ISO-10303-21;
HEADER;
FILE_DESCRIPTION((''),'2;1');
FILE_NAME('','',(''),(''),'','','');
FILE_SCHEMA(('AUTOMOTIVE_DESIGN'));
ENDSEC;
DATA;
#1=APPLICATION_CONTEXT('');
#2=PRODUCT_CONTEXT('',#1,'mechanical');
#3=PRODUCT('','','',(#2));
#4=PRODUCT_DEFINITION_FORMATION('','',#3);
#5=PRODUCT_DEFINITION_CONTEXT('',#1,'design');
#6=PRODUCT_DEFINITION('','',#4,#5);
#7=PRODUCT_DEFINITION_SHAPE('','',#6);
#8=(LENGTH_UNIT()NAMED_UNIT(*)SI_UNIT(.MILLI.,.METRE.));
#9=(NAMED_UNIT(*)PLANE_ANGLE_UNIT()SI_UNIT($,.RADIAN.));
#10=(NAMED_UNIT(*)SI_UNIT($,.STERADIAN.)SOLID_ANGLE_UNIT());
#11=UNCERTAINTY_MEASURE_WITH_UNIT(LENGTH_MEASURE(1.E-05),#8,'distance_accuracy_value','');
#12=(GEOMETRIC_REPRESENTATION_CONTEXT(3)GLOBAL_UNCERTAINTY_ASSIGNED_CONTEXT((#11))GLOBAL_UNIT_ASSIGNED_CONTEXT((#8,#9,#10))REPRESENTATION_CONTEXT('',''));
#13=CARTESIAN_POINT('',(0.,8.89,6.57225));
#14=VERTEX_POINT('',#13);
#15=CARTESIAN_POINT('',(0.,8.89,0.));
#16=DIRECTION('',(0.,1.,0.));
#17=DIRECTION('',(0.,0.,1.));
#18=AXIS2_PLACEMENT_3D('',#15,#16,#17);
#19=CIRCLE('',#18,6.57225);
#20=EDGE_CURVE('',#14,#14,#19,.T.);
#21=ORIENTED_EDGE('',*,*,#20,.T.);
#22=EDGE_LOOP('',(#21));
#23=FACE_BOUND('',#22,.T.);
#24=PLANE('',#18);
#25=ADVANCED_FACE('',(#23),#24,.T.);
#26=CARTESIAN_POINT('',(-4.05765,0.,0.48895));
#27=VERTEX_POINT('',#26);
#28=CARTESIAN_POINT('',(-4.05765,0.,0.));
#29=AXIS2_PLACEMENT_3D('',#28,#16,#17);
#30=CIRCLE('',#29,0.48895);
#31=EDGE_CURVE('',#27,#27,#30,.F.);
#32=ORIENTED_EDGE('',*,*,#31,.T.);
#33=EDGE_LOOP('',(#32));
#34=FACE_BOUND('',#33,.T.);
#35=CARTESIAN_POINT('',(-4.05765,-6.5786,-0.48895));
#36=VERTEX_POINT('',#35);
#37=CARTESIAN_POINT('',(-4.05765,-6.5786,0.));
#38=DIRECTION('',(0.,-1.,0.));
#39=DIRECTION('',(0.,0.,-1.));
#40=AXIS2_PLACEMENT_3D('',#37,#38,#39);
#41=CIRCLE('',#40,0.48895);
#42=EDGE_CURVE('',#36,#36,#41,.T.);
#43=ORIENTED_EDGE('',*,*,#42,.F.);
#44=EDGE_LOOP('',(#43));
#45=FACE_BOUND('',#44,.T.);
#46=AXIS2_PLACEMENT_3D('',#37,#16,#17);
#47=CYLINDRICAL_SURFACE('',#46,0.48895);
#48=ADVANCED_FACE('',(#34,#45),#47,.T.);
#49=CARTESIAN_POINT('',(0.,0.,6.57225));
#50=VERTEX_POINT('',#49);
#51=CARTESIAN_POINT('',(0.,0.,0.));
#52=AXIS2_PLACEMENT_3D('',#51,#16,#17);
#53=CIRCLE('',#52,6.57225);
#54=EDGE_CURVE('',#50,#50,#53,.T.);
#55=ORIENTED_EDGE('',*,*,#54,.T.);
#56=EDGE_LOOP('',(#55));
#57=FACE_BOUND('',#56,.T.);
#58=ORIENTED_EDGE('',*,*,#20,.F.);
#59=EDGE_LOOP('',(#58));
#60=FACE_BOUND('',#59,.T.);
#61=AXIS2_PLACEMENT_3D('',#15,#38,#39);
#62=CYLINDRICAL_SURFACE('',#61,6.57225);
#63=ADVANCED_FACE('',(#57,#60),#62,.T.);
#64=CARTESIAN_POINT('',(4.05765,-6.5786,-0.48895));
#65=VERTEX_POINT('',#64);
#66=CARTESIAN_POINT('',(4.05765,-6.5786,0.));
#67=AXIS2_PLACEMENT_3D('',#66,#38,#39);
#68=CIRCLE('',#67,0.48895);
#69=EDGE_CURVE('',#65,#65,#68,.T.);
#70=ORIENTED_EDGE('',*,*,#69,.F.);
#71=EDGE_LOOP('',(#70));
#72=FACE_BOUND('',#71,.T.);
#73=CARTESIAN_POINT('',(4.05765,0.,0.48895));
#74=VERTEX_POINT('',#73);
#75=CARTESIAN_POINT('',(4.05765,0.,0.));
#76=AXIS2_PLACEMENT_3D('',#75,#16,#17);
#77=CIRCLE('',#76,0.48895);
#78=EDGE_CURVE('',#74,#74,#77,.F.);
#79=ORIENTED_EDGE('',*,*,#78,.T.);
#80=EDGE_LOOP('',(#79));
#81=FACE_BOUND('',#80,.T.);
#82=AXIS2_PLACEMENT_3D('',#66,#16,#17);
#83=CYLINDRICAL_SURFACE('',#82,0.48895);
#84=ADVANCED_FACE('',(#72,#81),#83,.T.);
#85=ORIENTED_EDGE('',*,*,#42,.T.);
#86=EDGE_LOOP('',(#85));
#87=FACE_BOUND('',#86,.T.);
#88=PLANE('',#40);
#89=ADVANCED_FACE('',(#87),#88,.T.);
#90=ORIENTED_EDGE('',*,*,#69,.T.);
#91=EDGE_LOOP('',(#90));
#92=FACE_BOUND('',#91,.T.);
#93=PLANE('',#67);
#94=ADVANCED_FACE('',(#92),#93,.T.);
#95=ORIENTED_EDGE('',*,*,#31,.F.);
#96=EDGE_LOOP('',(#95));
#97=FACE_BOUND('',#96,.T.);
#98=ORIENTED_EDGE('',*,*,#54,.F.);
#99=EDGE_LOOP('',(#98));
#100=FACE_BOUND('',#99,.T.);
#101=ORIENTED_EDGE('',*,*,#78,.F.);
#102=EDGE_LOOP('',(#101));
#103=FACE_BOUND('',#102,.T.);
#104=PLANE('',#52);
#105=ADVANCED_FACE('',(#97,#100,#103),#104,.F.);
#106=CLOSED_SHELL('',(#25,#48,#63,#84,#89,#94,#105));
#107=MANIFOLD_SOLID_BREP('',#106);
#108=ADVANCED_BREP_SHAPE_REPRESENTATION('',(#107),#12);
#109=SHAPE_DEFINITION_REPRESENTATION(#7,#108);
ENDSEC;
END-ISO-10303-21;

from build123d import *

# Parameters (mm, degrees)
SKETCH1_R           = 6.57225
BOSS_EXTRUDE1_DEPTH = 8.89
SKETCH2_R           = 0.48895
BOSS_EXTRUDE2_DEPTH = 6.5786


with BuildPart() as part:
    # Sketch1 → Boss-Extrude1 (new body)
    with BuildSketch(Plane(origin=(0, 0, 0), x_dir=(1, 0, 0), z_dir=(0, 1, 0))):
        with Locations(Location((0, 0, 0), (0, 0, 270))):
            Circle(SKETCH1_R)
    extrude(amount=BOSS_EXTRUDE1_DEPTH)

    # Sketch2 → Boss-Extrude2 (add)
    with BuildSketch(Plane.XZ):
        with Locations(Location((-4.05765, 0, 0), (0, 0, 90))):
            Circle(SKETCH2_R)
        with Locations(Location((4.05765, 0, 0), (0, 0, 90))):
            Circle(SKETCH2_R)
    extrude(amount=BOSS_EXTRUDE2_DEPTH)


solid = part.part
